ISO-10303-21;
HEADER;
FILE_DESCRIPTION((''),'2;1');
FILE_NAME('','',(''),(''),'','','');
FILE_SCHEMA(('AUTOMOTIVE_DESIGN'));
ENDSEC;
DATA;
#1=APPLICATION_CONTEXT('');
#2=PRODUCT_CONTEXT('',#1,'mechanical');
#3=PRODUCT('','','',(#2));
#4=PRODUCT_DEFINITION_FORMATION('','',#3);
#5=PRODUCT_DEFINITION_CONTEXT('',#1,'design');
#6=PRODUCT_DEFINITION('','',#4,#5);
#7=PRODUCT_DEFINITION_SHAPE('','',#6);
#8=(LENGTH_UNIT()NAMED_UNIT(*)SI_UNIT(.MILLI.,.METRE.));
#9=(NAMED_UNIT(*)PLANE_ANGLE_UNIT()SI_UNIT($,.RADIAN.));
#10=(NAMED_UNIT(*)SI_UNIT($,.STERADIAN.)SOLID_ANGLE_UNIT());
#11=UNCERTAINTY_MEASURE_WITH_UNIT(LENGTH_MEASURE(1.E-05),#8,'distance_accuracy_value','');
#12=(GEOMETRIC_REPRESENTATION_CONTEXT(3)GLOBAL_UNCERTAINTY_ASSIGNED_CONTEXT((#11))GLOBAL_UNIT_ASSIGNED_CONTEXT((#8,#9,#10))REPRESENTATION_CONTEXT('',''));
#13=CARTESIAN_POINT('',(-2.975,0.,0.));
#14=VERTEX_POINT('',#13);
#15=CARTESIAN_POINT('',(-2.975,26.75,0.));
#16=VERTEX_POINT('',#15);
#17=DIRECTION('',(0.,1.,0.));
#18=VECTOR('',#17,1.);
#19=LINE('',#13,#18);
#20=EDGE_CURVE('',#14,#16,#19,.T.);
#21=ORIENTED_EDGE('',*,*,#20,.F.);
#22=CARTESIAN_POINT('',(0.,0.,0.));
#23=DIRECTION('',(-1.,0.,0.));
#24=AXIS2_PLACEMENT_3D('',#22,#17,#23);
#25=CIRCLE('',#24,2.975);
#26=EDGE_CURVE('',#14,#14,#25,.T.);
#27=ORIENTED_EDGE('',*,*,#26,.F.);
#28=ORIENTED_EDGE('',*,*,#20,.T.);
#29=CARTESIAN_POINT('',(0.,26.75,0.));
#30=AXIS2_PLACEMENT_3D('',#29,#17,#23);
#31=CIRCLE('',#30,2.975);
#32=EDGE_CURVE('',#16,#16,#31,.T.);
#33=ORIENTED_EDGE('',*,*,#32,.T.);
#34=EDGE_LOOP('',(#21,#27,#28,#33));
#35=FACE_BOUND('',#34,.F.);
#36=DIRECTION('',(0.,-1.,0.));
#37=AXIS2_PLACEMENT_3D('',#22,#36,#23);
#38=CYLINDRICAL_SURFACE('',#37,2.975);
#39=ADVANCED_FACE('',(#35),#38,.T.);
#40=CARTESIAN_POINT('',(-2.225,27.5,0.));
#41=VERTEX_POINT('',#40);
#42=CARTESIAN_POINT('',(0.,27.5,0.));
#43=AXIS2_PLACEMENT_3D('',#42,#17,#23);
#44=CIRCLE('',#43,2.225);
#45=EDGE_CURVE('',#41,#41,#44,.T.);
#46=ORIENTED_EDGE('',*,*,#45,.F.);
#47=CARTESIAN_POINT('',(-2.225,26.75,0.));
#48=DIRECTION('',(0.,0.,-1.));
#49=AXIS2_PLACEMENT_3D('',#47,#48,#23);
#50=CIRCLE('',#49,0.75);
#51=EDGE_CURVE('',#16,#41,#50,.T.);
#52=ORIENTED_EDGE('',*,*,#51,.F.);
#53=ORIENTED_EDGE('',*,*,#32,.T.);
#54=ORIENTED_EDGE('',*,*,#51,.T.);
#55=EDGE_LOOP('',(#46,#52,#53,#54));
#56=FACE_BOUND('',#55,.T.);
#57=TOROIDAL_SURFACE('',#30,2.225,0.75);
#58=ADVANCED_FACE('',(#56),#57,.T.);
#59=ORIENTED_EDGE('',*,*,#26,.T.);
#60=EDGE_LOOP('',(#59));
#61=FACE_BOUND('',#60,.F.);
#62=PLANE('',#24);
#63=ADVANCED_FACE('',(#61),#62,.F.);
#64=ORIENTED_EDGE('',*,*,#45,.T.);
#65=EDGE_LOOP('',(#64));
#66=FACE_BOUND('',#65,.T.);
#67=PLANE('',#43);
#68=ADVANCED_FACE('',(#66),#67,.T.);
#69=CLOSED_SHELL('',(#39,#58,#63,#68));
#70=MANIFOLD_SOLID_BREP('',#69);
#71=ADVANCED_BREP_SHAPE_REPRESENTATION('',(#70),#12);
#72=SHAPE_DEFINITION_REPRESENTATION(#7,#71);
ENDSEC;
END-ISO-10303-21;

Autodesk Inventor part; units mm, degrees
ref_plane "YZ Plane" through (0, 0, 0) normal (1, 0, 0) x (0, 1, 0)
ref_plane "XZ Plane" through (0, 0, 0) normal (0, 1, 0) x (-1, 0, 0)
ref_plane "XY Plane" through (0, 0, 0) normal (0, 0, 1) x (1, 0, 0)
sketch "Sketch1" plane through (0, 0, 0) normal (0, 1, 0) x (-1, 0, 0)
  circle A0 centre (0, 0) radius 2.975
  dimension "d1" = 5.95
extrude "Extrusion4" add sketch "Sketch1" along normal blind 27.5
fillet "Fillet3" radius 0.75 1 edges at (2.975, 27.5, 0)
properties part number "ControllerButton"
